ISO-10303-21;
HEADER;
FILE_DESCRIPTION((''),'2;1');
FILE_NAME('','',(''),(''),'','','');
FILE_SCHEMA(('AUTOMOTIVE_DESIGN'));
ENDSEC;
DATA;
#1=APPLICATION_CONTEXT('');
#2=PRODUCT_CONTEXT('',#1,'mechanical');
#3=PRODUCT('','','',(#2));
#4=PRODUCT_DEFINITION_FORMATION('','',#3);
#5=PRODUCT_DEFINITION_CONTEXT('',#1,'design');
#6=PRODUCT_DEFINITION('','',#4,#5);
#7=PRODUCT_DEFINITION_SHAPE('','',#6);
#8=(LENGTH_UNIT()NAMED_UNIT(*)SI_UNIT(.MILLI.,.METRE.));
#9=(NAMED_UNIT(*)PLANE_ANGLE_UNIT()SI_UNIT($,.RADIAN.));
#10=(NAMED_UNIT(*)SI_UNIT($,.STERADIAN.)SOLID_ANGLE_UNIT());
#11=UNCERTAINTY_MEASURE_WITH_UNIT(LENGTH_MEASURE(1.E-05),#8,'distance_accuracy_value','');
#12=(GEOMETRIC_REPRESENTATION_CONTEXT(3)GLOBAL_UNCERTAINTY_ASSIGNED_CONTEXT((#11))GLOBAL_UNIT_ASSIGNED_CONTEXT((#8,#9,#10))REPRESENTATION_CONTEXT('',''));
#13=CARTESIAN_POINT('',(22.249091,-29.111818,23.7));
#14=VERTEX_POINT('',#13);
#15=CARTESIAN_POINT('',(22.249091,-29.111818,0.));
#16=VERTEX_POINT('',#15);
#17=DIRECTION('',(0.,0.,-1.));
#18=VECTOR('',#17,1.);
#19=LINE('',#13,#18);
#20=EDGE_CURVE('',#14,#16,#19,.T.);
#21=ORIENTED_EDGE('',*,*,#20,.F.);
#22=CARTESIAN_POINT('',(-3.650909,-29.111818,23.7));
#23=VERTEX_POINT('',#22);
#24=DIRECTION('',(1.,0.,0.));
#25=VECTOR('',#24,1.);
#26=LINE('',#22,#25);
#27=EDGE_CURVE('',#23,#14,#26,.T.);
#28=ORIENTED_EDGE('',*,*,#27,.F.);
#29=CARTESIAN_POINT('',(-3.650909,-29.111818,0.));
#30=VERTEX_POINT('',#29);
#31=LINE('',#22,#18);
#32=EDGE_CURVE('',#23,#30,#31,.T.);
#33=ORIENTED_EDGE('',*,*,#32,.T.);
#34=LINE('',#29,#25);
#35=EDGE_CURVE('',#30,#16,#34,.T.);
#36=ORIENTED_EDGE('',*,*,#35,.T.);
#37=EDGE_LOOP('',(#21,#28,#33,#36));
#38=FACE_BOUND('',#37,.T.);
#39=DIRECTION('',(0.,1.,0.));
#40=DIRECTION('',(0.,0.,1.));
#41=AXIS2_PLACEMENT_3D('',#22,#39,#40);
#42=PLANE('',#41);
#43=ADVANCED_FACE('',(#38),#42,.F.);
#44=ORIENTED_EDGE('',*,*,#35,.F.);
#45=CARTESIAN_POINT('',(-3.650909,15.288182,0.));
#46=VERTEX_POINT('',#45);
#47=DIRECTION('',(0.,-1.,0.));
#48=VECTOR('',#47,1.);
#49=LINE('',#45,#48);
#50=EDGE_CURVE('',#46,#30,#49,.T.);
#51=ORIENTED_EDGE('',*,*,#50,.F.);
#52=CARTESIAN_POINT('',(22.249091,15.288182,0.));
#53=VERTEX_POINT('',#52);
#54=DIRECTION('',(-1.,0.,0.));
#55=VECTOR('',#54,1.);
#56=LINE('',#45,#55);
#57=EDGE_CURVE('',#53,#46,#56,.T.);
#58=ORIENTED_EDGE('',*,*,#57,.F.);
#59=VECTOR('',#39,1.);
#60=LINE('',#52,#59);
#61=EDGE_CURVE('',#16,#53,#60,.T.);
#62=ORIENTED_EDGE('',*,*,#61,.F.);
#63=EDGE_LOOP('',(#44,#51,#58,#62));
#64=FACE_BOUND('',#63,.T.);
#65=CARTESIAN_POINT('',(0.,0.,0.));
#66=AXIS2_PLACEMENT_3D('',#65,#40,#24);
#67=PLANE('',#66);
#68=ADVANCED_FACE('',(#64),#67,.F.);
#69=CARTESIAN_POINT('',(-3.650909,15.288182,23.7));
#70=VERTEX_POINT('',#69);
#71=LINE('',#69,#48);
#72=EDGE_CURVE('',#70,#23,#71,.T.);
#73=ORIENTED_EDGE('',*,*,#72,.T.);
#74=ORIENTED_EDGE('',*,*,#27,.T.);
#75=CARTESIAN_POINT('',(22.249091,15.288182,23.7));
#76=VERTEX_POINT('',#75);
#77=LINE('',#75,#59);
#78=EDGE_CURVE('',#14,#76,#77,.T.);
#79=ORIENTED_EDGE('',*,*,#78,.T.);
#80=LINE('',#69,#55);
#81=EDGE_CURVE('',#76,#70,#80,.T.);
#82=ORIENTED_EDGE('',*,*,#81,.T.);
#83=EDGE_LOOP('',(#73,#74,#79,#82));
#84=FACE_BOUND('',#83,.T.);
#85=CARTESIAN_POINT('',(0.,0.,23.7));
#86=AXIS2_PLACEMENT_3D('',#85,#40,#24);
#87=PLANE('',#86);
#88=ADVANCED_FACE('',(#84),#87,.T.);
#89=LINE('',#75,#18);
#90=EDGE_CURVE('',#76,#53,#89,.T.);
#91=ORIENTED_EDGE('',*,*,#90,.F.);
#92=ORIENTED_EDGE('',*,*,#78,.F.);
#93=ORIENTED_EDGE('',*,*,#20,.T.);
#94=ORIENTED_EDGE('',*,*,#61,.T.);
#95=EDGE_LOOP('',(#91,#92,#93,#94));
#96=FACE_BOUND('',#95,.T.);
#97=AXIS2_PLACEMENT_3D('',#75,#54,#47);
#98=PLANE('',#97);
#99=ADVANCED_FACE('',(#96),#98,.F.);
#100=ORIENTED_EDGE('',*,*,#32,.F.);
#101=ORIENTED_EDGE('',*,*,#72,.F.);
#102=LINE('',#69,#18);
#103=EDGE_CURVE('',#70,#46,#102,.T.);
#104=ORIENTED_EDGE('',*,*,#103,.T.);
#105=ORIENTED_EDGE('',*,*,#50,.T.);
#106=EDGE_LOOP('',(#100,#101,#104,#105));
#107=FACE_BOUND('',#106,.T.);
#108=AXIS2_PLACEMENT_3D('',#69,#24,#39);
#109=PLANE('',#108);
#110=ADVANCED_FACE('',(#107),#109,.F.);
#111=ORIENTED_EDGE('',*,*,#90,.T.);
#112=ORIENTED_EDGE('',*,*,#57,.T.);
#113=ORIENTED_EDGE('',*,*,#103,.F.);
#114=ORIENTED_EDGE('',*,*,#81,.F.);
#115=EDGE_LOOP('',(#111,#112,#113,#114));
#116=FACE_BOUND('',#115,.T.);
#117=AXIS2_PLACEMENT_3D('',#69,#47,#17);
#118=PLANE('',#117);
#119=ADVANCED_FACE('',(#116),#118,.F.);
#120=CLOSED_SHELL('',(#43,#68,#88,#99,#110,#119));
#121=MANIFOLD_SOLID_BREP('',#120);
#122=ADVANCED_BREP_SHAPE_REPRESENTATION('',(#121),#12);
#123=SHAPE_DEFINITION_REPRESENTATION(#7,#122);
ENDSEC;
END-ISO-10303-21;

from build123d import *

# Parameters (mm, degrees)
SKETCH1_W           = 25.9
SKETCH1_H           = 44.4
BOSS_EXTRUDE1_DEPTH = 23.7


with BuildPart() as part:
    # Sketch1 → Boss-Extrude1 (new body)
    with BuildSketch(Plane.XY):
        with Locations((9.299090909, -6.911818182)):
            Rectangle(SKETCH1_W, SKETCH1_H)
    extrude(amount=BOSS_EXTRUDE1_DEPTH)


solid = part.part
